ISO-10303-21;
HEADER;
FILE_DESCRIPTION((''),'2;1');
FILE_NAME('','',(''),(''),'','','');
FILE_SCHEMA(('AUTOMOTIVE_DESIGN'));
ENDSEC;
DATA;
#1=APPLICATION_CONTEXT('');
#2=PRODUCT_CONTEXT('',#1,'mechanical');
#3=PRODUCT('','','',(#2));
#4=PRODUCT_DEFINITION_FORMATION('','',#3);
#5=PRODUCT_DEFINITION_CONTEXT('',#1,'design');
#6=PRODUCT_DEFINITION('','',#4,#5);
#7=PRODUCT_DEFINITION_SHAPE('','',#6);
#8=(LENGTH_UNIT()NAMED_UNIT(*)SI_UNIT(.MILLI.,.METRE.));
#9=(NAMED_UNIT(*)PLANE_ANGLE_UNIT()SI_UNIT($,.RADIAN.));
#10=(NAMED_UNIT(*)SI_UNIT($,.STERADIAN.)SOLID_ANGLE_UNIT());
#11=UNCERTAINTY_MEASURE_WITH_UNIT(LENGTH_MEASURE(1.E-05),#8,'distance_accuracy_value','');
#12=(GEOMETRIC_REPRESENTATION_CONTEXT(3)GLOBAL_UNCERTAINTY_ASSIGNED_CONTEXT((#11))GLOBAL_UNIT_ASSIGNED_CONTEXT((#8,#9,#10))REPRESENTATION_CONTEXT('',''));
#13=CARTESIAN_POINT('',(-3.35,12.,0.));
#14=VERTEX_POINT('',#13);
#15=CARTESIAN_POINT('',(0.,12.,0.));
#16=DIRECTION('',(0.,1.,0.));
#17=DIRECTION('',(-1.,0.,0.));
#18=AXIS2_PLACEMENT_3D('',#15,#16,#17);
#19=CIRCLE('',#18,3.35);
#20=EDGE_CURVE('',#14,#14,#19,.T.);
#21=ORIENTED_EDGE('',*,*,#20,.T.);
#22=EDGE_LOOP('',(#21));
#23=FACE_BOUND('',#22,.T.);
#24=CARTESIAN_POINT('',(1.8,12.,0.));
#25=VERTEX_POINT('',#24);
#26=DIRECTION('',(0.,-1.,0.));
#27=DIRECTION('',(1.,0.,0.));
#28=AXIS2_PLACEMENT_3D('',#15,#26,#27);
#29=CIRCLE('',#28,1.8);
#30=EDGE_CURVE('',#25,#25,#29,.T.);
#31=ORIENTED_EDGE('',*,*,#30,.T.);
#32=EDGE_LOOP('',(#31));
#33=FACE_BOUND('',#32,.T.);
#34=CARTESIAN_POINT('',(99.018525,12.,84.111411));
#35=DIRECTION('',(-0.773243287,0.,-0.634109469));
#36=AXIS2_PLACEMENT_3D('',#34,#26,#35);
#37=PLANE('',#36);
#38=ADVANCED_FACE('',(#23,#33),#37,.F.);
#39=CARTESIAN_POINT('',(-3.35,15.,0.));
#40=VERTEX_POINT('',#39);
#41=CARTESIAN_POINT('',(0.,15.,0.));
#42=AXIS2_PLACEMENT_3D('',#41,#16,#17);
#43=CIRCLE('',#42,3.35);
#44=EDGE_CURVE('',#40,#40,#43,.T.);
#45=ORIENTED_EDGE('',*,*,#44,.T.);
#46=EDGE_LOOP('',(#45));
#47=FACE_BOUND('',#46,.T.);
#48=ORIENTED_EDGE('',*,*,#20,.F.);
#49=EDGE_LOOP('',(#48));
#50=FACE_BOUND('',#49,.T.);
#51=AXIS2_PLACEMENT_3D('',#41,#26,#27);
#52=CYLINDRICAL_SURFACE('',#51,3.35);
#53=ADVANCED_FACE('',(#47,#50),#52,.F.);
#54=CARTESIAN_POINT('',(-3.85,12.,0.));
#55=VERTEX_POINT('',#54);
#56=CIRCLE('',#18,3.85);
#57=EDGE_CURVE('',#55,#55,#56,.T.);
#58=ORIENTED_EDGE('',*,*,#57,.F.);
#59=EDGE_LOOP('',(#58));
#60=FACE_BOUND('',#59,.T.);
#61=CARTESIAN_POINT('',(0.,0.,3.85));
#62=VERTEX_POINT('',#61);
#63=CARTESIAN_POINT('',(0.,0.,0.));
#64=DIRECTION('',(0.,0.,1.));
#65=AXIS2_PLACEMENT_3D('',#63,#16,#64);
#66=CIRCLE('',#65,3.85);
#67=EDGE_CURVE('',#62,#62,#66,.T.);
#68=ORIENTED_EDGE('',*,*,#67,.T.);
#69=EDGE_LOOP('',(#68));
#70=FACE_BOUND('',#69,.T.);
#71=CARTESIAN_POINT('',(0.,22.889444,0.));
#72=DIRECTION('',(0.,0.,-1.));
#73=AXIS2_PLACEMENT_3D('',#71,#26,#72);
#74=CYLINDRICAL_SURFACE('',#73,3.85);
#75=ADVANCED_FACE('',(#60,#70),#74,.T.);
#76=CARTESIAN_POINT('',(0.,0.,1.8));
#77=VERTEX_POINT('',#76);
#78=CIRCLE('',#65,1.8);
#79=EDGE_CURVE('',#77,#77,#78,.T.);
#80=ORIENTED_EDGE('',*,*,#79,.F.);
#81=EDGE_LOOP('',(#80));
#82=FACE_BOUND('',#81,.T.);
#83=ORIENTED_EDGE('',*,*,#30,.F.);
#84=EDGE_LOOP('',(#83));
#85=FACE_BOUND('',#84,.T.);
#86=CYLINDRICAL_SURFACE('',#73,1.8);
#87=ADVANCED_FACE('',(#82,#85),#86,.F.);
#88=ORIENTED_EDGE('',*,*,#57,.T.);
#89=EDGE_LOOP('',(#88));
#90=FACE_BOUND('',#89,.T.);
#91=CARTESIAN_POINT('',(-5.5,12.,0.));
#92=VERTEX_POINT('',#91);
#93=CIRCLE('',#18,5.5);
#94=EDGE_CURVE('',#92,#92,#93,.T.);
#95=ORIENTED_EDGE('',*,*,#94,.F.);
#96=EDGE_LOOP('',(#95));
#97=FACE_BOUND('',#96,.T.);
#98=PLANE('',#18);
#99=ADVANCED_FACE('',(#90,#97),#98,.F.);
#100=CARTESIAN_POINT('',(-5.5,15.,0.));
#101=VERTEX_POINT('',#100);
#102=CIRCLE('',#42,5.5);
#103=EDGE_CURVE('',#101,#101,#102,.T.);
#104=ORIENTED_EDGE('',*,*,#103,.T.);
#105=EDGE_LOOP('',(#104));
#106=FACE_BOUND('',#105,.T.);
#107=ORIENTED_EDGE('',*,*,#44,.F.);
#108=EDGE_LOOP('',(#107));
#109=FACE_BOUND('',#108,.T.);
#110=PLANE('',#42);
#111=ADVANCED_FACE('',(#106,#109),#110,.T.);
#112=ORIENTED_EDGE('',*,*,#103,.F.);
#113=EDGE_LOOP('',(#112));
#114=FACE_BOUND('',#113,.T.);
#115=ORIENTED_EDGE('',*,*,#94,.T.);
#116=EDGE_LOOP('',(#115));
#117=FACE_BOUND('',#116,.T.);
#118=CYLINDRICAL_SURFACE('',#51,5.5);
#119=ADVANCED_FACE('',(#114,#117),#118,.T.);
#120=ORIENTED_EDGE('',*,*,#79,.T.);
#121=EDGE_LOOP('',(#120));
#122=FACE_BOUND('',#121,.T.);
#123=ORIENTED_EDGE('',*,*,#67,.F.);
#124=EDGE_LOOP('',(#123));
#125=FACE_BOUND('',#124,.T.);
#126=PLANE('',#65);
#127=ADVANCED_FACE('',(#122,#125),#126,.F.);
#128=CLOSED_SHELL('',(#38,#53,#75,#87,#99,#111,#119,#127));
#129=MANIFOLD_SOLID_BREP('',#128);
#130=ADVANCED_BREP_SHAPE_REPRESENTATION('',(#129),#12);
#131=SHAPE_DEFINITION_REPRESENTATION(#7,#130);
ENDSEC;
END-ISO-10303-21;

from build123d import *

# Parameters (mm, degrees)
SKETCH1_R           = 3.85
SKETCH1_R_2         = 1.8
BOSS_EXTRUDE1_DEPTH = 12
SKETCH2_R           = 5.5
SKETCH2_R_2         = 3.35
BOSS_EXTRUDE2_DEPTH = 3


with BuildPart() as part:
    # Sketch1 → Boss-Extrude1 (new body)
    with BuildSketch(Plane(origin=(0, 0, 0), x_dir=(1, 0, 0), z_dir=(0, 1, 0))):
        Circle(SKETCH1_R)
        Circle(SKETCH1_R_2, mode=Mode.SUBTRACT)
    extrude(amount=BOSS_EXTRUDE1_DEPTH)

    # Sketch2 → Boss-Extrude2 (add)
    with BuildSketch(Plane(origin=(0, 12, 0), x_dir=(1, 0, 0), z_dir=(0, 1, 0))):
        Circle(SKETCH2_R)
        Circle(SKETCH2_R_2, mode=Mode.SUBTRACT)
    extrude(amount=BOSS_EXTRUDE2_DEPTH)


solid = part.part
